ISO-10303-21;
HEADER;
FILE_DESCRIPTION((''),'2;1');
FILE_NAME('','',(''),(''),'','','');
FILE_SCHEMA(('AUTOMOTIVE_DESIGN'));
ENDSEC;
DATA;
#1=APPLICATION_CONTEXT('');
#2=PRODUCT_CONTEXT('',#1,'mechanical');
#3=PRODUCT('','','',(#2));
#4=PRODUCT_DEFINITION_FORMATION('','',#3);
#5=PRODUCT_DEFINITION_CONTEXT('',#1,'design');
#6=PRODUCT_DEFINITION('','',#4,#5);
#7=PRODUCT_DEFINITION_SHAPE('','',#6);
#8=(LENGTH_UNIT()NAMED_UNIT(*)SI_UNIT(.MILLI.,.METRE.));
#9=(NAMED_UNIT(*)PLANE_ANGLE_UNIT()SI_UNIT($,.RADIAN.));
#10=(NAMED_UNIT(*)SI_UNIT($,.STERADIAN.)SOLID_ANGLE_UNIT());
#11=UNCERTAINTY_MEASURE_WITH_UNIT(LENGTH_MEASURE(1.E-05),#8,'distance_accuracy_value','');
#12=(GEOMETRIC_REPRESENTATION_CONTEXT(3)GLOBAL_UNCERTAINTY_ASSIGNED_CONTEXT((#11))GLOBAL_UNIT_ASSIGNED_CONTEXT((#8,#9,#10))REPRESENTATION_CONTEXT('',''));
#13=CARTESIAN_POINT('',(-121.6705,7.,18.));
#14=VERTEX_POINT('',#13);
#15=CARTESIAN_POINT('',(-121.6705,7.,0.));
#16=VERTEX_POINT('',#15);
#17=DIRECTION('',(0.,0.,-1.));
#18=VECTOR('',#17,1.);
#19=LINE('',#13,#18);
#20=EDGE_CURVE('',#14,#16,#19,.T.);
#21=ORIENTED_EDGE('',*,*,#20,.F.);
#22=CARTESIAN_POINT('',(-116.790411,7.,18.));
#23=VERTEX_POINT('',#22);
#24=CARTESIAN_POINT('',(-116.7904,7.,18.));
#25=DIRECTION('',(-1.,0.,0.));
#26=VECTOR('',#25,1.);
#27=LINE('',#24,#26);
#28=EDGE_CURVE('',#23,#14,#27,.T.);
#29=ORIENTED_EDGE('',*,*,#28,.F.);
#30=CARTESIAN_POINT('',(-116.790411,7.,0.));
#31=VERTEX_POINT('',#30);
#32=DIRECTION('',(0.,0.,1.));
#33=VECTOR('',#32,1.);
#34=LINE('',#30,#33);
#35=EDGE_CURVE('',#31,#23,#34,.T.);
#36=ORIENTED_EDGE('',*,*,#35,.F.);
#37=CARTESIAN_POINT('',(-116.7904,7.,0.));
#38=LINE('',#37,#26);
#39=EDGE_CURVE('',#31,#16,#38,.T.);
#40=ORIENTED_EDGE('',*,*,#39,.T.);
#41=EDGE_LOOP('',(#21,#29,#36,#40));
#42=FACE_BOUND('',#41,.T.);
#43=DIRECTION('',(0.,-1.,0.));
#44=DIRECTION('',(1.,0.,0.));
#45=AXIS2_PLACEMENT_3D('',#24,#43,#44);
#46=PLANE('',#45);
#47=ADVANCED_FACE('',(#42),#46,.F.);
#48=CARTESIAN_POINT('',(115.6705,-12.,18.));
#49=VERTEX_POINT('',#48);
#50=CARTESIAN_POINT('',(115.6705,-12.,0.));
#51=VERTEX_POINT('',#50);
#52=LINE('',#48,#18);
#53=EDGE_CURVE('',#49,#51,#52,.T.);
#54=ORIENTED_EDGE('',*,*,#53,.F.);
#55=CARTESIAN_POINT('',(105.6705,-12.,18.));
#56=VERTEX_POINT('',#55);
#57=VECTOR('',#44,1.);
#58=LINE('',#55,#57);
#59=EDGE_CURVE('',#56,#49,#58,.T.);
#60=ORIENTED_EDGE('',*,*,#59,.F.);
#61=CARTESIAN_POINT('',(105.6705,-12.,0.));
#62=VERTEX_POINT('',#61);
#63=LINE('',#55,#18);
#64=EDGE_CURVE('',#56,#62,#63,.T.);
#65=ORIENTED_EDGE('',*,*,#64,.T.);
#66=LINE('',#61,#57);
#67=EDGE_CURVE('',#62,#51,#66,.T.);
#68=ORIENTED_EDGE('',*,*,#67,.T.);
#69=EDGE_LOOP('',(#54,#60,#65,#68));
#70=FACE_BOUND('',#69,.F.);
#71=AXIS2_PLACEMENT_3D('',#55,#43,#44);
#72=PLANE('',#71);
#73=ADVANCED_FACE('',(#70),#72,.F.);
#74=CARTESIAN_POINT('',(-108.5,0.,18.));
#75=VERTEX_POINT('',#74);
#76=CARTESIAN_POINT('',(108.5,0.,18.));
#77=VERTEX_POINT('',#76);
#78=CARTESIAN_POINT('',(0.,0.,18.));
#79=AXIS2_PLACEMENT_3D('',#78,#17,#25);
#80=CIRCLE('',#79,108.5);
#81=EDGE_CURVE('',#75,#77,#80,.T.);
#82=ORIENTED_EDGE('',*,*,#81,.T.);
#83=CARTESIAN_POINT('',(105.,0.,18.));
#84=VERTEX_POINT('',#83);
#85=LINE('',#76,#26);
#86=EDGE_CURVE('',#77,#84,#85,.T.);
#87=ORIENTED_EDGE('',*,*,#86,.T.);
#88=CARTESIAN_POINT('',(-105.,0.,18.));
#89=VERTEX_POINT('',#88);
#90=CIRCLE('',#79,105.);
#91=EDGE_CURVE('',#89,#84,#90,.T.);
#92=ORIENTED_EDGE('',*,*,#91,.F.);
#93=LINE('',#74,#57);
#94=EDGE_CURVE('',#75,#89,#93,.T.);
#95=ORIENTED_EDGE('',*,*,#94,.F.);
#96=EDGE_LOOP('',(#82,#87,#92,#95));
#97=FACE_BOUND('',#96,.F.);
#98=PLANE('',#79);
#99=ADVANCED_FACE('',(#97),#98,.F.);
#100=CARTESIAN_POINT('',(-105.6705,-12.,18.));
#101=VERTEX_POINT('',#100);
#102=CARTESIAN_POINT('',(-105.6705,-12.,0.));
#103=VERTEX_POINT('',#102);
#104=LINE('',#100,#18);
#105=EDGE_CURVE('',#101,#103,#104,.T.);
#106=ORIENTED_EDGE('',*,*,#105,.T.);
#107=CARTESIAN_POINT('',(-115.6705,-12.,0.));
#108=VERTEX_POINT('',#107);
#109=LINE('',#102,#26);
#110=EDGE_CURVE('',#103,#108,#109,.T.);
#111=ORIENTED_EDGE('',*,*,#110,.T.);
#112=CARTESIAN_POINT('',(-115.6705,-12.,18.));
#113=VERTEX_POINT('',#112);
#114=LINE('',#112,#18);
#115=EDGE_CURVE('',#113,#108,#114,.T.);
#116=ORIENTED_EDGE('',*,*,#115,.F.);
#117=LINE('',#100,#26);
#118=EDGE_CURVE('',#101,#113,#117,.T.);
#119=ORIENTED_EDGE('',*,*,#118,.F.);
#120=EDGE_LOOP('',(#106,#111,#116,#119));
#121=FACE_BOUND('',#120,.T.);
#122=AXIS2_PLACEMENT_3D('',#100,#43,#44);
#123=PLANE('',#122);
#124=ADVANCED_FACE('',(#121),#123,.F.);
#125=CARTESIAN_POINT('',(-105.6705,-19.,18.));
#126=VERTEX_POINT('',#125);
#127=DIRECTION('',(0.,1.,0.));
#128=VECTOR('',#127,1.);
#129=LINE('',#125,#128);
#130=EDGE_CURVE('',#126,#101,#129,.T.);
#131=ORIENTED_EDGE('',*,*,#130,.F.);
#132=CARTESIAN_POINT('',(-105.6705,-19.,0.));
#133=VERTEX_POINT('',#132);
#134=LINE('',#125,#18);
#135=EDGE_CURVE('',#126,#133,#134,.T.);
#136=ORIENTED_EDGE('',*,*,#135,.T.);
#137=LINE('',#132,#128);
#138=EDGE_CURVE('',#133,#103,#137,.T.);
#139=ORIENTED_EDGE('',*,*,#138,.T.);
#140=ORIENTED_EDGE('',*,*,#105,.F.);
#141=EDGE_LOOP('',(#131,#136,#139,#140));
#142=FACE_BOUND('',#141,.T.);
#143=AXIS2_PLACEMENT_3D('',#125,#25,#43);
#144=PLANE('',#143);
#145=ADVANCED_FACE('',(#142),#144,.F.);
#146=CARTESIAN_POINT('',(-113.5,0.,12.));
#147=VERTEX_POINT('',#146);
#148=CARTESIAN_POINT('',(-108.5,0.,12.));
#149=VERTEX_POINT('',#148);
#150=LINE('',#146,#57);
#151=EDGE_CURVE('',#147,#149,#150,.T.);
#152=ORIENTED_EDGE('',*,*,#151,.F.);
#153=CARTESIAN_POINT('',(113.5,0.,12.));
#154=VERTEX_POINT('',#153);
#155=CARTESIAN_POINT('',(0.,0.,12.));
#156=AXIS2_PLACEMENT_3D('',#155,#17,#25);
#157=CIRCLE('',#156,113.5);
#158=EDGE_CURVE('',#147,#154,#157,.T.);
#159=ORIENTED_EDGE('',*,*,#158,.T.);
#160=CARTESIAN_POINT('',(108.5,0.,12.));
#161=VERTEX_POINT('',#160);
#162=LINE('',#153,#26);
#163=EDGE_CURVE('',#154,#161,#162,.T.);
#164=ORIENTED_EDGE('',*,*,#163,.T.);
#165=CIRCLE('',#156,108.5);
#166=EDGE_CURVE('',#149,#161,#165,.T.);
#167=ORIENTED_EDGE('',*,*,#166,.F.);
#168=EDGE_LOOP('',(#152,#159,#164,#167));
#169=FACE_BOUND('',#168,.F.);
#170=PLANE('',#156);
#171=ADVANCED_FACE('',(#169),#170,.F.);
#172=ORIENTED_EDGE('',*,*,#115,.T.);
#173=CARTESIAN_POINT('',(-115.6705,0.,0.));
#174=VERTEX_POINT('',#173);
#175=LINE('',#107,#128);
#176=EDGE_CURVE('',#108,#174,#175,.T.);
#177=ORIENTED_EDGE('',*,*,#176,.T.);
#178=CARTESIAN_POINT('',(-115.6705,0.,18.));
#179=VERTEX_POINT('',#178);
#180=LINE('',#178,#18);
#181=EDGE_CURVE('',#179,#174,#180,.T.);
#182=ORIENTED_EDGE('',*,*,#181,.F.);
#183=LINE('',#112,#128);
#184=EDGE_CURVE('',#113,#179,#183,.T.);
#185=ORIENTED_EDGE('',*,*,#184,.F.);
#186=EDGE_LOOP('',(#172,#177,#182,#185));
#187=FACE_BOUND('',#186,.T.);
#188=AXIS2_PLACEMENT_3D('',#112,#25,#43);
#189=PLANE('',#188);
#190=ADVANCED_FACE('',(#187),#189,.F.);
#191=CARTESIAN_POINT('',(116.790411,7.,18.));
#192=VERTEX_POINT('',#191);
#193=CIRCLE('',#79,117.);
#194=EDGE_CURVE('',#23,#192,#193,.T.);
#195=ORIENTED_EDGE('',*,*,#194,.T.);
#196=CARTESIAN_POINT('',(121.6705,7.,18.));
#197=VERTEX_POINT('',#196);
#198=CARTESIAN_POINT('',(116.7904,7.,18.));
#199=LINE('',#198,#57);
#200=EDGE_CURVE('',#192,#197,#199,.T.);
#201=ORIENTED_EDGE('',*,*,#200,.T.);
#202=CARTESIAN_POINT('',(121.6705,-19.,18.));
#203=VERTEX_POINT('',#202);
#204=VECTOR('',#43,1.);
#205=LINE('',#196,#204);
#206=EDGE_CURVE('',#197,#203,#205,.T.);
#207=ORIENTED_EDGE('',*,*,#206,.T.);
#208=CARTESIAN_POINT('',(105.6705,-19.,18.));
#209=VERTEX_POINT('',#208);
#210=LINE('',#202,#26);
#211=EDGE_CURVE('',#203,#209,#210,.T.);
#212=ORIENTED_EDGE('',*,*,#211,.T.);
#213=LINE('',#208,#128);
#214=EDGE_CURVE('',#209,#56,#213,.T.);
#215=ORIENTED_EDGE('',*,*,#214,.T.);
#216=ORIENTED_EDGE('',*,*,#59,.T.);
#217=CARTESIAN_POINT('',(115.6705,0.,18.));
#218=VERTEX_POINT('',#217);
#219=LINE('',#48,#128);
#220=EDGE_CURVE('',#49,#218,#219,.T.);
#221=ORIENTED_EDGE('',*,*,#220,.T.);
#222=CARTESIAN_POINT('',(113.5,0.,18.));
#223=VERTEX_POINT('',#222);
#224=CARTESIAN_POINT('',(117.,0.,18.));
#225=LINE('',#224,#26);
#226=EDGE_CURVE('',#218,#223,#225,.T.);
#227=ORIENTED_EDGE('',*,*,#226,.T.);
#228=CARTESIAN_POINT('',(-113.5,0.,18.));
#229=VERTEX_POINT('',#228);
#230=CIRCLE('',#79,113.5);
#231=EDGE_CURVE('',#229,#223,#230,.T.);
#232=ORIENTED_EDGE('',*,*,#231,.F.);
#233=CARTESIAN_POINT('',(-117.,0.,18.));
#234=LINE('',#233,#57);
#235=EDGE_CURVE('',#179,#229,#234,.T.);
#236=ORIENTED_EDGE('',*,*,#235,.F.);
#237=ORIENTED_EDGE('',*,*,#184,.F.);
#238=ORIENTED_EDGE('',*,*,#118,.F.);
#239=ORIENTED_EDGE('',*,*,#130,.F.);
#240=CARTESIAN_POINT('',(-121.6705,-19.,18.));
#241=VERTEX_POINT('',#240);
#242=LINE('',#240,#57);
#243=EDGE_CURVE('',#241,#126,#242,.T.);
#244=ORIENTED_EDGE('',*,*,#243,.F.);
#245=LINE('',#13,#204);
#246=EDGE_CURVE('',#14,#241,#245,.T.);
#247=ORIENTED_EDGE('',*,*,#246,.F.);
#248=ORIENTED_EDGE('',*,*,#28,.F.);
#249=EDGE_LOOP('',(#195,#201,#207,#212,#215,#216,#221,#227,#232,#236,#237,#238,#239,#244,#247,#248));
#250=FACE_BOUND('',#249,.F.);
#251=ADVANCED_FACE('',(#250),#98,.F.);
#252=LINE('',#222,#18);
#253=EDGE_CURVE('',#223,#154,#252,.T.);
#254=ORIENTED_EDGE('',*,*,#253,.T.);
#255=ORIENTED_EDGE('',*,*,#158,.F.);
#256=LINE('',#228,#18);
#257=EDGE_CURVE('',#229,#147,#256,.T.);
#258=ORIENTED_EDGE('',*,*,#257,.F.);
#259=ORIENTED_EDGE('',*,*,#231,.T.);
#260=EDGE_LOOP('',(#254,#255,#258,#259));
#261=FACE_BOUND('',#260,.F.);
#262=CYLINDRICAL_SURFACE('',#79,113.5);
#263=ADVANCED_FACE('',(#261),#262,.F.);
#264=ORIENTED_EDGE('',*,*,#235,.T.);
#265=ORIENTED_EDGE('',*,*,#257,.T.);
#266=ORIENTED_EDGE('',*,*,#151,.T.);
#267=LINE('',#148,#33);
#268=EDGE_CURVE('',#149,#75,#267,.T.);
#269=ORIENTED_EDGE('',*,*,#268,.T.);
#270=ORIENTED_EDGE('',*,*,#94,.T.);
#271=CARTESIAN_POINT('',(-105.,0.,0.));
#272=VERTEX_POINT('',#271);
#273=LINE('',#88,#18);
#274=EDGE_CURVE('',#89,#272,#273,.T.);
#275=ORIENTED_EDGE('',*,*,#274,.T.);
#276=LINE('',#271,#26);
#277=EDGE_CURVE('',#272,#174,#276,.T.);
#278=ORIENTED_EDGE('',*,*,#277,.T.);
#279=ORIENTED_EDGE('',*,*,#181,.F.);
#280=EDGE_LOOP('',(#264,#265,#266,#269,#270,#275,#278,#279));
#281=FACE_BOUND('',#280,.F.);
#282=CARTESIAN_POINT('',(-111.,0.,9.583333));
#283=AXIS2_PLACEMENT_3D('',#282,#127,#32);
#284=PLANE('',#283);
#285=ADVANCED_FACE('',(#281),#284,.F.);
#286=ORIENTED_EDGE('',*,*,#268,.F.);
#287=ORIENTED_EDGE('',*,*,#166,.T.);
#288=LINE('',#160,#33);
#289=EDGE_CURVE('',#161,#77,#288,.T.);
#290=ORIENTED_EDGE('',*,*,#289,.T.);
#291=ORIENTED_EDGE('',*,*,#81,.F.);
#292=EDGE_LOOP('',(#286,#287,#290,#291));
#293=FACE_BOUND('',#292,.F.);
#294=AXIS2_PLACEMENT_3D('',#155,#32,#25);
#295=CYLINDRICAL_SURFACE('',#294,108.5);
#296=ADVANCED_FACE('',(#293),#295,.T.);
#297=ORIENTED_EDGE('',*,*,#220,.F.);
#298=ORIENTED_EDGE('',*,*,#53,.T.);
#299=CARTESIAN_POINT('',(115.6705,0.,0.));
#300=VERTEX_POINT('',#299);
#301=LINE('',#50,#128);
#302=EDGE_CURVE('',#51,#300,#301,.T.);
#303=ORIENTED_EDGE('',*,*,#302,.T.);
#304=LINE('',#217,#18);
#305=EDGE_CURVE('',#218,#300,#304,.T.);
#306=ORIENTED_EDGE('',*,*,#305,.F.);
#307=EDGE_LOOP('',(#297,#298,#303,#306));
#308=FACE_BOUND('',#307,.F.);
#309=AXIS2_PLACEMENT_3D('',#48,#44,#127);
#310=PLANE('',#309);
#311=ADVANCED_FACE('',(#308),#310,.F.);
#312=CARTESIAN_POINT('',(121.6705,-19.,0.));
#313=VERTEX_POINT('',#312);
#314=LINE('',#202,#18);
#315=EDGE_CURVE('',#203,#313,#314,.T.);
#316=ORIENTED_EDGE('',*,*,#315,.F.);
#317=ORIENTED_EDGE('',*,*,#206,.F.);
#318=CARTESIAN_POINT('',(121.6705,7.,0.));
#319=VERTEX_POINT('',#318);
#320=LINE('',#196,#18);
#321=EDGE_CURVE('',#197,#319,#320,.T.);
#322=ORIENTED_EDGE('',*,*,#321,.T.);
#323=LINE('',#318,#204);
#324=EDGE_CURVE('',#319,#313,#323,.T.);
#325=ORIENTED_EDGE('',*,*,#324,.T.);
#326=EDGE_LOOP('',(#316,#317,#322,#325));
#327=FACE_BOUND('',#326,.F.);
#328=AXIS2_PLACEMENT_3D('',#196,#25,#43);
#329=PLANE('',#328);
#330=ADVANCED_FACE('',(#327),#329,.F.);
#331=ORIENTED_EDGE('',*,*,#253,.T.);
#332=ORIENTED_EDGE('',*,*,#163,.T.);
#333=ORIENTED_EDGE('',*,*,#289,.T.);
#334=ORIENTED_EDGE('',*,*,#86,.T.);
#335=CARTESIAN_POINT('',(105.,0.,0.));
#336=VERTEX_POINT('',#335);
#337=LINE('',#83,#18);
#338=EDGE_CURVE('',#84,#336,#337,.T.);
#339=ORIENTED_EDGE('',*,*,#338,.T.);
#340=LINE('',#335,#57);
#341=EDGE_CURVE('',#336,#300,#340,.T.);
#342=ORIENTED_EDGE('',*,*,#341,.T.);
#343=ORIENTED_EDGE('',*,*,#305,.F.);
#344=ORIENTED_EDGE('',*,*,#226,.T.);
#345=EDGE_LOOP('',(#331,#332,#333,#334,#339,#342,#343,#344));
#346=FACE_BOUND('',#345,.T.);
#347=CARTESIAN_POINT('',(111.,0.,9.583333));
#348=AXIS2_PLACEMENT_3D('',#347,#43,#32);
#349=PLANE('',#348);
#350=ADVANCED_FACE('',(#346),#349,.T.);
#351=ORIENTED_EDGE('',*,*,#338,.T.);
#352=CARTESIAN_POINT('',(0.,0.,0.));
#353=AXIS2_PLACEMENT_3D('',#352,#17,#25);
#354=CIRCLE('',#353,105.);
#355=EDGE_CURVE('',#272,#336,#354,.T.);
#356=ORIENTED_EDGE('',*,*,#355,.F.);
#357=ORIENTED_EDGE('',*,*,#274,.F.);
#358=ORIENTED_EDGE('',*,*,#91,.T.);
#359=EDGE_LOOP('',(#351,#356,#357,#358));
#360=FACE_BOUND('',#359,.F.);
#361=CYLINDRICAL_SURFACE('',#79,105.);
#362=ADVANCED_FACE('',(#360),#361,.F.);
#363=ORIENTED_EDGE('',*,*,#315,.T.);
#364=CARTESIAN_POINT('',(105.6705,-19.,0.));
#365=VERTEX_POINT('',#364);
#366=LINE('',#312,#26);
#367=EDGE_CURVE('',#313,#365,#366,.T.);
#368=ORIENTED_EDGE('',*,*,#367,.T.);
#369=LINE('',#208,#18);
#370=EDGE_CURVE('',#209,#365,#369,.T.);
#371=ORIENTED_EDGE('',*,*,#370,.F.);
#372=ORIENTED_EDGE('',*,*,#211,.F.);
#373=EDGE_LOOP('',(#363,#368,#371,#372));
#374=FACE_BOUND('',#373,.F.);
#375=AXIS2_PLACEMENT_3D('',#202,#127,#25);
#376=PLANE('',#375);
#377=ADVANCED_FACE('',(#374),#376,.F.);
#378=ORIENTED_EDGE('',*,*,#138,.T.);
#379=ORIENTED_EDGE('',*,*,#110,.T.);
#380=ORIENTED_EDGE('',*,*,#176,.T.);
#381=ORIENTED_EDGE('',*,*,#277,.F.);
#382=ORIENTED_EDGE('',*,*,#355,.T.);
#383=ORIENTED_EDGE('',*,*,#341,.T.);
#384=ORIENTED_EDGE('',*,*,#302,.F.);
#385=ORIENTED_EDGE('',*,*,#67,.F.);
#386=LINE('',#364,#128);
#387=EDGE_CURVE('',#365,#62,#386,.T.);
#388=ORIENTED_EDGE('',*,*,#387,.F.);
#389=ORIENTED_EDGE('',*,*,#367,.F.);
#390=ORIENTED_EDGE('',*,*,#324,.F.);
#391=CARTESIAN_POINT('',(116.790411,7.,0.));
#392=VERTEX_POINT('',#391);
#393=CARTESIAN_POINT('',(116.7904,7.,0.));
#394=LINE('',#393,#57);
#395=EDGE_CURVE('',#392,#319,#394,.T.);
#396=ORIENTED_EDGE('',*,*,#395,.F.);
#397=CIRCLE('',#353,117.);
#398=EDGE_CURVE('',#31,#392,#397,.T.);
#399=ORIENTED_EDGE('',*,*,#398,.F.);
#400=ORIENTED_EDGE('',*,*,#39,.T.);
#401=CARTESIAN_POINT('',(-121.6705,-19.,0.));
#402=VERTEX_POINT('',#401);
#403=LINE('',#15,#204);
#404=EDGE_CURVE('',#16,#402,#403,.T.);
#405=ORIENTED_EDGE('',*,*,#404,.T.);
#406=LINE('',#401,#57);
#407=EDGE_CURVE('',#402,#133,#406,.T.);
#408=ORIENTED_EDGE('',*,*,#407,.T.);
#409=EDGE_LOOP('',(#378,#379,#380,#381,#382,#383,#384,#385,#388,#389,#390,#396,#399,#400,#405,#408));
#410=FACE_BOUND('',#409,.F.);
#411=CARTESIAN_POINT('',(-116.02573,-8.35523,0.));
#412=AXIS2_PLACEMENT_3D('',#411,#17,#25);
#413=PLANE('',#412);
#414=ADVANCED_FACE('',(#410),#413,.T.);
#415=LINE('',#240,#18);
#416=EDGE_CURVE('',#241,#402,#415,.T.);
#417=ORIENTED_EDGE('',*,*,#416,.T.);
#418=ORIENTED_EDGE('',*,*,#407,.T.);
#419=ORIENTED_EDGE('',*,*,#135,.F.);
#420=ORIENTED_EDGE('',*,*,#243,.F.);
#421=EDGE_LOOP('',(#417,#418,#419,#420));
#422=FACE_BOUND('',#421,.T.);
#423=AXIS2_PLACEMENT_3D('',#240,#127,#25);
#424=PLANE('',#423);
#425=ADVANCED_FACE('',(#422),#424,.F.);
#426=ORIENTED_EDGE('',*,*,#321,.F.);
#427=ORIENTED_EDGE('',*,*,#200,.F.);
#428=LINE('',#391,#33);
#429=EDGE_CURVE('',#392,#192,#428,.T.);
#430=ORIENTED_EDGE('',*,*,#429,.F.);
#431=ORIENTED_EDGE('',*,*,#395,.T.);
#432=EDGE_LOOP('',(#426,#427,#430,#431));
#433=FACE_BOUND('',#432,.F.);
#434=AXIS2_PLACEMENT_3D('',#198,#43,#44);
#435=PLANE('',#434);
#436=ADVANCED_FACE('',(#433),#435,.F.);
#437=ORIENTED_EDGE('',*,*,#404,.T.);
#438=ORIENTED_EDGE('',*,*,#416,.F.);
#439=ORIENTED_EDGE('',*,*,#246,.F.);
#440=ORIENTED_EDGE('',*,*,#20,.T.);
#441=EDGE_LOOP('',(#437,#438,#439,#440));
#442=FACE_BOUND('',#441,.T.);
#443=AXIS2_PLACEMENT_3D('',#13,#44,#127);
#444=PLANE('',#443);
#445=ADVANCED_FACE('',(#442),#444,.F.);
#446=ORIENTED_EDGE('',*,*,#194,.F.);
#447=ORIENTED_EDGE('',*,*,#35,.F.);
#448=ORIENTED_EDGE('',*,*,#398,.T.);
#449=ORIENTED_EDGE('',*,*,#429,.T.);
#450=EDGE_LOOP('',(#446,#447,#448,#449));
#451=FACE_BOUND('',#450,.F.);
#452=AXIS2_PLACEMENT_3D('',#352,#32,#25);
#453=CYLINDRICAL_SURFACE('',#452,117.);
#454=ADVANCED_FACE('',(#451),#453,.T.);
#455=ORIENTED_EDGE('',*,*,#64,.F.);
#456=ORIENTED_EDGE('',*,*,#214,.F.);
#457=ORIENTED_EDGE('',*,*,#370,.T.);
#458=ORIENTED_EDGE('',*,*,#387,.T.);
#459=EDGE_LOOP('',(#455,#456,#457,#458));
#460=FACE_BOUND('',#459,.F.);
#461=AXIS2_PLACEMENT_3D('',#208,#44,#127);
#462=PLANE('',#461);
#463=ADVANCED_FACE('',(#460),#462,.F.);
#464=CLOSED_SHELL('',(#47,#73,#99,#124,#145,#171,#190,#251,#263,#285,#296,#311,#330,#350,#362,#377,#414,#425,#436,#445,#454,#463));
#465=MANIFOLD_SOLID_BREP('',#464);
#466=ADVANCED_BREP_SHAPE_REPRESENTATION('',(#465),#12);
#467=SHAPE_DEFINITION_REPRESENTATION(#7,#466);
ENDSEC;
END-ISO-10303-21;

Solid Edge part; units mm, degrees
sketch "Sketch1" plane through (0, 0, 0) normal (0, -1, 0) x (1, 0, 0)
  line L0 (-117, 0) -> (-117, 18)
  line L1 (-117, 18) -> (-113.5, 18)
  line L2 (-113.5, 18) -> (-113.5, 12)
  line L3 (-113.5, 12) -> (-108.5, 12)
  line L4 (-108.5, 12) -> (-108.5, 18)
  line L5 (-108.5, 18) -> (-105, 18)
  line L6 (-105, 18) -> (-105, 0)
  line L7 (-105, 0) -> (-117, 0)
  dimension "D1" = 18
  dimension "D2" = 18
  dimension "D3" = 12
  dimension "D4" = 3.5
  dimension "D5" = 5
  dimension "D6" = 3.5
  dimension "D7" = 6
  dimension "D8" = 105
revolve "RevolvedProtrusion1" add sketch "Sketch1" angle 180 about axis through (0, 0, 54) along (0, 0, -1)
sketch "Sketch2" plane through (0, 58.5, 18) normal (0, 0, 1) x (1, 0, 0)
  line L0 (116.7904, -58.5) -> (116.7904, -51.5)
  line L1 (116.7904, -51.5) -> (121.6705, -51.5)
  line L2 (121.6705, -51.5) -> (121.6705, -77.5)
  line L3 (121.6705, -77.5) -> (105.6705, -77.5)
  line L4 (105.6705, -77.5) -> (105.6705, -70.5)
  line L5 (105.6705, -70.5) -> (115.6705, -70.5)
  line L6 (115.6705, -70.5) -> (115.6705, -58.5)
  line L7 (116.7904, -58.5) -> (115.6705, -58.5)
  dimension "D1" = 7
  dimension "D2" = 6
  dimension "D3" = 7
  dimension "D4" = 12
  dimension "D5" = 16
extrude "ExtrudedProtrusion_3" add sketch "Sketch2" against normal blind 18
mirror "Mirror1" about plane through (0, 0, 0) normal (1, 0, 0) of "ExtrudedProtrusion_3"
properties material "ABS Plastic, high impact"
